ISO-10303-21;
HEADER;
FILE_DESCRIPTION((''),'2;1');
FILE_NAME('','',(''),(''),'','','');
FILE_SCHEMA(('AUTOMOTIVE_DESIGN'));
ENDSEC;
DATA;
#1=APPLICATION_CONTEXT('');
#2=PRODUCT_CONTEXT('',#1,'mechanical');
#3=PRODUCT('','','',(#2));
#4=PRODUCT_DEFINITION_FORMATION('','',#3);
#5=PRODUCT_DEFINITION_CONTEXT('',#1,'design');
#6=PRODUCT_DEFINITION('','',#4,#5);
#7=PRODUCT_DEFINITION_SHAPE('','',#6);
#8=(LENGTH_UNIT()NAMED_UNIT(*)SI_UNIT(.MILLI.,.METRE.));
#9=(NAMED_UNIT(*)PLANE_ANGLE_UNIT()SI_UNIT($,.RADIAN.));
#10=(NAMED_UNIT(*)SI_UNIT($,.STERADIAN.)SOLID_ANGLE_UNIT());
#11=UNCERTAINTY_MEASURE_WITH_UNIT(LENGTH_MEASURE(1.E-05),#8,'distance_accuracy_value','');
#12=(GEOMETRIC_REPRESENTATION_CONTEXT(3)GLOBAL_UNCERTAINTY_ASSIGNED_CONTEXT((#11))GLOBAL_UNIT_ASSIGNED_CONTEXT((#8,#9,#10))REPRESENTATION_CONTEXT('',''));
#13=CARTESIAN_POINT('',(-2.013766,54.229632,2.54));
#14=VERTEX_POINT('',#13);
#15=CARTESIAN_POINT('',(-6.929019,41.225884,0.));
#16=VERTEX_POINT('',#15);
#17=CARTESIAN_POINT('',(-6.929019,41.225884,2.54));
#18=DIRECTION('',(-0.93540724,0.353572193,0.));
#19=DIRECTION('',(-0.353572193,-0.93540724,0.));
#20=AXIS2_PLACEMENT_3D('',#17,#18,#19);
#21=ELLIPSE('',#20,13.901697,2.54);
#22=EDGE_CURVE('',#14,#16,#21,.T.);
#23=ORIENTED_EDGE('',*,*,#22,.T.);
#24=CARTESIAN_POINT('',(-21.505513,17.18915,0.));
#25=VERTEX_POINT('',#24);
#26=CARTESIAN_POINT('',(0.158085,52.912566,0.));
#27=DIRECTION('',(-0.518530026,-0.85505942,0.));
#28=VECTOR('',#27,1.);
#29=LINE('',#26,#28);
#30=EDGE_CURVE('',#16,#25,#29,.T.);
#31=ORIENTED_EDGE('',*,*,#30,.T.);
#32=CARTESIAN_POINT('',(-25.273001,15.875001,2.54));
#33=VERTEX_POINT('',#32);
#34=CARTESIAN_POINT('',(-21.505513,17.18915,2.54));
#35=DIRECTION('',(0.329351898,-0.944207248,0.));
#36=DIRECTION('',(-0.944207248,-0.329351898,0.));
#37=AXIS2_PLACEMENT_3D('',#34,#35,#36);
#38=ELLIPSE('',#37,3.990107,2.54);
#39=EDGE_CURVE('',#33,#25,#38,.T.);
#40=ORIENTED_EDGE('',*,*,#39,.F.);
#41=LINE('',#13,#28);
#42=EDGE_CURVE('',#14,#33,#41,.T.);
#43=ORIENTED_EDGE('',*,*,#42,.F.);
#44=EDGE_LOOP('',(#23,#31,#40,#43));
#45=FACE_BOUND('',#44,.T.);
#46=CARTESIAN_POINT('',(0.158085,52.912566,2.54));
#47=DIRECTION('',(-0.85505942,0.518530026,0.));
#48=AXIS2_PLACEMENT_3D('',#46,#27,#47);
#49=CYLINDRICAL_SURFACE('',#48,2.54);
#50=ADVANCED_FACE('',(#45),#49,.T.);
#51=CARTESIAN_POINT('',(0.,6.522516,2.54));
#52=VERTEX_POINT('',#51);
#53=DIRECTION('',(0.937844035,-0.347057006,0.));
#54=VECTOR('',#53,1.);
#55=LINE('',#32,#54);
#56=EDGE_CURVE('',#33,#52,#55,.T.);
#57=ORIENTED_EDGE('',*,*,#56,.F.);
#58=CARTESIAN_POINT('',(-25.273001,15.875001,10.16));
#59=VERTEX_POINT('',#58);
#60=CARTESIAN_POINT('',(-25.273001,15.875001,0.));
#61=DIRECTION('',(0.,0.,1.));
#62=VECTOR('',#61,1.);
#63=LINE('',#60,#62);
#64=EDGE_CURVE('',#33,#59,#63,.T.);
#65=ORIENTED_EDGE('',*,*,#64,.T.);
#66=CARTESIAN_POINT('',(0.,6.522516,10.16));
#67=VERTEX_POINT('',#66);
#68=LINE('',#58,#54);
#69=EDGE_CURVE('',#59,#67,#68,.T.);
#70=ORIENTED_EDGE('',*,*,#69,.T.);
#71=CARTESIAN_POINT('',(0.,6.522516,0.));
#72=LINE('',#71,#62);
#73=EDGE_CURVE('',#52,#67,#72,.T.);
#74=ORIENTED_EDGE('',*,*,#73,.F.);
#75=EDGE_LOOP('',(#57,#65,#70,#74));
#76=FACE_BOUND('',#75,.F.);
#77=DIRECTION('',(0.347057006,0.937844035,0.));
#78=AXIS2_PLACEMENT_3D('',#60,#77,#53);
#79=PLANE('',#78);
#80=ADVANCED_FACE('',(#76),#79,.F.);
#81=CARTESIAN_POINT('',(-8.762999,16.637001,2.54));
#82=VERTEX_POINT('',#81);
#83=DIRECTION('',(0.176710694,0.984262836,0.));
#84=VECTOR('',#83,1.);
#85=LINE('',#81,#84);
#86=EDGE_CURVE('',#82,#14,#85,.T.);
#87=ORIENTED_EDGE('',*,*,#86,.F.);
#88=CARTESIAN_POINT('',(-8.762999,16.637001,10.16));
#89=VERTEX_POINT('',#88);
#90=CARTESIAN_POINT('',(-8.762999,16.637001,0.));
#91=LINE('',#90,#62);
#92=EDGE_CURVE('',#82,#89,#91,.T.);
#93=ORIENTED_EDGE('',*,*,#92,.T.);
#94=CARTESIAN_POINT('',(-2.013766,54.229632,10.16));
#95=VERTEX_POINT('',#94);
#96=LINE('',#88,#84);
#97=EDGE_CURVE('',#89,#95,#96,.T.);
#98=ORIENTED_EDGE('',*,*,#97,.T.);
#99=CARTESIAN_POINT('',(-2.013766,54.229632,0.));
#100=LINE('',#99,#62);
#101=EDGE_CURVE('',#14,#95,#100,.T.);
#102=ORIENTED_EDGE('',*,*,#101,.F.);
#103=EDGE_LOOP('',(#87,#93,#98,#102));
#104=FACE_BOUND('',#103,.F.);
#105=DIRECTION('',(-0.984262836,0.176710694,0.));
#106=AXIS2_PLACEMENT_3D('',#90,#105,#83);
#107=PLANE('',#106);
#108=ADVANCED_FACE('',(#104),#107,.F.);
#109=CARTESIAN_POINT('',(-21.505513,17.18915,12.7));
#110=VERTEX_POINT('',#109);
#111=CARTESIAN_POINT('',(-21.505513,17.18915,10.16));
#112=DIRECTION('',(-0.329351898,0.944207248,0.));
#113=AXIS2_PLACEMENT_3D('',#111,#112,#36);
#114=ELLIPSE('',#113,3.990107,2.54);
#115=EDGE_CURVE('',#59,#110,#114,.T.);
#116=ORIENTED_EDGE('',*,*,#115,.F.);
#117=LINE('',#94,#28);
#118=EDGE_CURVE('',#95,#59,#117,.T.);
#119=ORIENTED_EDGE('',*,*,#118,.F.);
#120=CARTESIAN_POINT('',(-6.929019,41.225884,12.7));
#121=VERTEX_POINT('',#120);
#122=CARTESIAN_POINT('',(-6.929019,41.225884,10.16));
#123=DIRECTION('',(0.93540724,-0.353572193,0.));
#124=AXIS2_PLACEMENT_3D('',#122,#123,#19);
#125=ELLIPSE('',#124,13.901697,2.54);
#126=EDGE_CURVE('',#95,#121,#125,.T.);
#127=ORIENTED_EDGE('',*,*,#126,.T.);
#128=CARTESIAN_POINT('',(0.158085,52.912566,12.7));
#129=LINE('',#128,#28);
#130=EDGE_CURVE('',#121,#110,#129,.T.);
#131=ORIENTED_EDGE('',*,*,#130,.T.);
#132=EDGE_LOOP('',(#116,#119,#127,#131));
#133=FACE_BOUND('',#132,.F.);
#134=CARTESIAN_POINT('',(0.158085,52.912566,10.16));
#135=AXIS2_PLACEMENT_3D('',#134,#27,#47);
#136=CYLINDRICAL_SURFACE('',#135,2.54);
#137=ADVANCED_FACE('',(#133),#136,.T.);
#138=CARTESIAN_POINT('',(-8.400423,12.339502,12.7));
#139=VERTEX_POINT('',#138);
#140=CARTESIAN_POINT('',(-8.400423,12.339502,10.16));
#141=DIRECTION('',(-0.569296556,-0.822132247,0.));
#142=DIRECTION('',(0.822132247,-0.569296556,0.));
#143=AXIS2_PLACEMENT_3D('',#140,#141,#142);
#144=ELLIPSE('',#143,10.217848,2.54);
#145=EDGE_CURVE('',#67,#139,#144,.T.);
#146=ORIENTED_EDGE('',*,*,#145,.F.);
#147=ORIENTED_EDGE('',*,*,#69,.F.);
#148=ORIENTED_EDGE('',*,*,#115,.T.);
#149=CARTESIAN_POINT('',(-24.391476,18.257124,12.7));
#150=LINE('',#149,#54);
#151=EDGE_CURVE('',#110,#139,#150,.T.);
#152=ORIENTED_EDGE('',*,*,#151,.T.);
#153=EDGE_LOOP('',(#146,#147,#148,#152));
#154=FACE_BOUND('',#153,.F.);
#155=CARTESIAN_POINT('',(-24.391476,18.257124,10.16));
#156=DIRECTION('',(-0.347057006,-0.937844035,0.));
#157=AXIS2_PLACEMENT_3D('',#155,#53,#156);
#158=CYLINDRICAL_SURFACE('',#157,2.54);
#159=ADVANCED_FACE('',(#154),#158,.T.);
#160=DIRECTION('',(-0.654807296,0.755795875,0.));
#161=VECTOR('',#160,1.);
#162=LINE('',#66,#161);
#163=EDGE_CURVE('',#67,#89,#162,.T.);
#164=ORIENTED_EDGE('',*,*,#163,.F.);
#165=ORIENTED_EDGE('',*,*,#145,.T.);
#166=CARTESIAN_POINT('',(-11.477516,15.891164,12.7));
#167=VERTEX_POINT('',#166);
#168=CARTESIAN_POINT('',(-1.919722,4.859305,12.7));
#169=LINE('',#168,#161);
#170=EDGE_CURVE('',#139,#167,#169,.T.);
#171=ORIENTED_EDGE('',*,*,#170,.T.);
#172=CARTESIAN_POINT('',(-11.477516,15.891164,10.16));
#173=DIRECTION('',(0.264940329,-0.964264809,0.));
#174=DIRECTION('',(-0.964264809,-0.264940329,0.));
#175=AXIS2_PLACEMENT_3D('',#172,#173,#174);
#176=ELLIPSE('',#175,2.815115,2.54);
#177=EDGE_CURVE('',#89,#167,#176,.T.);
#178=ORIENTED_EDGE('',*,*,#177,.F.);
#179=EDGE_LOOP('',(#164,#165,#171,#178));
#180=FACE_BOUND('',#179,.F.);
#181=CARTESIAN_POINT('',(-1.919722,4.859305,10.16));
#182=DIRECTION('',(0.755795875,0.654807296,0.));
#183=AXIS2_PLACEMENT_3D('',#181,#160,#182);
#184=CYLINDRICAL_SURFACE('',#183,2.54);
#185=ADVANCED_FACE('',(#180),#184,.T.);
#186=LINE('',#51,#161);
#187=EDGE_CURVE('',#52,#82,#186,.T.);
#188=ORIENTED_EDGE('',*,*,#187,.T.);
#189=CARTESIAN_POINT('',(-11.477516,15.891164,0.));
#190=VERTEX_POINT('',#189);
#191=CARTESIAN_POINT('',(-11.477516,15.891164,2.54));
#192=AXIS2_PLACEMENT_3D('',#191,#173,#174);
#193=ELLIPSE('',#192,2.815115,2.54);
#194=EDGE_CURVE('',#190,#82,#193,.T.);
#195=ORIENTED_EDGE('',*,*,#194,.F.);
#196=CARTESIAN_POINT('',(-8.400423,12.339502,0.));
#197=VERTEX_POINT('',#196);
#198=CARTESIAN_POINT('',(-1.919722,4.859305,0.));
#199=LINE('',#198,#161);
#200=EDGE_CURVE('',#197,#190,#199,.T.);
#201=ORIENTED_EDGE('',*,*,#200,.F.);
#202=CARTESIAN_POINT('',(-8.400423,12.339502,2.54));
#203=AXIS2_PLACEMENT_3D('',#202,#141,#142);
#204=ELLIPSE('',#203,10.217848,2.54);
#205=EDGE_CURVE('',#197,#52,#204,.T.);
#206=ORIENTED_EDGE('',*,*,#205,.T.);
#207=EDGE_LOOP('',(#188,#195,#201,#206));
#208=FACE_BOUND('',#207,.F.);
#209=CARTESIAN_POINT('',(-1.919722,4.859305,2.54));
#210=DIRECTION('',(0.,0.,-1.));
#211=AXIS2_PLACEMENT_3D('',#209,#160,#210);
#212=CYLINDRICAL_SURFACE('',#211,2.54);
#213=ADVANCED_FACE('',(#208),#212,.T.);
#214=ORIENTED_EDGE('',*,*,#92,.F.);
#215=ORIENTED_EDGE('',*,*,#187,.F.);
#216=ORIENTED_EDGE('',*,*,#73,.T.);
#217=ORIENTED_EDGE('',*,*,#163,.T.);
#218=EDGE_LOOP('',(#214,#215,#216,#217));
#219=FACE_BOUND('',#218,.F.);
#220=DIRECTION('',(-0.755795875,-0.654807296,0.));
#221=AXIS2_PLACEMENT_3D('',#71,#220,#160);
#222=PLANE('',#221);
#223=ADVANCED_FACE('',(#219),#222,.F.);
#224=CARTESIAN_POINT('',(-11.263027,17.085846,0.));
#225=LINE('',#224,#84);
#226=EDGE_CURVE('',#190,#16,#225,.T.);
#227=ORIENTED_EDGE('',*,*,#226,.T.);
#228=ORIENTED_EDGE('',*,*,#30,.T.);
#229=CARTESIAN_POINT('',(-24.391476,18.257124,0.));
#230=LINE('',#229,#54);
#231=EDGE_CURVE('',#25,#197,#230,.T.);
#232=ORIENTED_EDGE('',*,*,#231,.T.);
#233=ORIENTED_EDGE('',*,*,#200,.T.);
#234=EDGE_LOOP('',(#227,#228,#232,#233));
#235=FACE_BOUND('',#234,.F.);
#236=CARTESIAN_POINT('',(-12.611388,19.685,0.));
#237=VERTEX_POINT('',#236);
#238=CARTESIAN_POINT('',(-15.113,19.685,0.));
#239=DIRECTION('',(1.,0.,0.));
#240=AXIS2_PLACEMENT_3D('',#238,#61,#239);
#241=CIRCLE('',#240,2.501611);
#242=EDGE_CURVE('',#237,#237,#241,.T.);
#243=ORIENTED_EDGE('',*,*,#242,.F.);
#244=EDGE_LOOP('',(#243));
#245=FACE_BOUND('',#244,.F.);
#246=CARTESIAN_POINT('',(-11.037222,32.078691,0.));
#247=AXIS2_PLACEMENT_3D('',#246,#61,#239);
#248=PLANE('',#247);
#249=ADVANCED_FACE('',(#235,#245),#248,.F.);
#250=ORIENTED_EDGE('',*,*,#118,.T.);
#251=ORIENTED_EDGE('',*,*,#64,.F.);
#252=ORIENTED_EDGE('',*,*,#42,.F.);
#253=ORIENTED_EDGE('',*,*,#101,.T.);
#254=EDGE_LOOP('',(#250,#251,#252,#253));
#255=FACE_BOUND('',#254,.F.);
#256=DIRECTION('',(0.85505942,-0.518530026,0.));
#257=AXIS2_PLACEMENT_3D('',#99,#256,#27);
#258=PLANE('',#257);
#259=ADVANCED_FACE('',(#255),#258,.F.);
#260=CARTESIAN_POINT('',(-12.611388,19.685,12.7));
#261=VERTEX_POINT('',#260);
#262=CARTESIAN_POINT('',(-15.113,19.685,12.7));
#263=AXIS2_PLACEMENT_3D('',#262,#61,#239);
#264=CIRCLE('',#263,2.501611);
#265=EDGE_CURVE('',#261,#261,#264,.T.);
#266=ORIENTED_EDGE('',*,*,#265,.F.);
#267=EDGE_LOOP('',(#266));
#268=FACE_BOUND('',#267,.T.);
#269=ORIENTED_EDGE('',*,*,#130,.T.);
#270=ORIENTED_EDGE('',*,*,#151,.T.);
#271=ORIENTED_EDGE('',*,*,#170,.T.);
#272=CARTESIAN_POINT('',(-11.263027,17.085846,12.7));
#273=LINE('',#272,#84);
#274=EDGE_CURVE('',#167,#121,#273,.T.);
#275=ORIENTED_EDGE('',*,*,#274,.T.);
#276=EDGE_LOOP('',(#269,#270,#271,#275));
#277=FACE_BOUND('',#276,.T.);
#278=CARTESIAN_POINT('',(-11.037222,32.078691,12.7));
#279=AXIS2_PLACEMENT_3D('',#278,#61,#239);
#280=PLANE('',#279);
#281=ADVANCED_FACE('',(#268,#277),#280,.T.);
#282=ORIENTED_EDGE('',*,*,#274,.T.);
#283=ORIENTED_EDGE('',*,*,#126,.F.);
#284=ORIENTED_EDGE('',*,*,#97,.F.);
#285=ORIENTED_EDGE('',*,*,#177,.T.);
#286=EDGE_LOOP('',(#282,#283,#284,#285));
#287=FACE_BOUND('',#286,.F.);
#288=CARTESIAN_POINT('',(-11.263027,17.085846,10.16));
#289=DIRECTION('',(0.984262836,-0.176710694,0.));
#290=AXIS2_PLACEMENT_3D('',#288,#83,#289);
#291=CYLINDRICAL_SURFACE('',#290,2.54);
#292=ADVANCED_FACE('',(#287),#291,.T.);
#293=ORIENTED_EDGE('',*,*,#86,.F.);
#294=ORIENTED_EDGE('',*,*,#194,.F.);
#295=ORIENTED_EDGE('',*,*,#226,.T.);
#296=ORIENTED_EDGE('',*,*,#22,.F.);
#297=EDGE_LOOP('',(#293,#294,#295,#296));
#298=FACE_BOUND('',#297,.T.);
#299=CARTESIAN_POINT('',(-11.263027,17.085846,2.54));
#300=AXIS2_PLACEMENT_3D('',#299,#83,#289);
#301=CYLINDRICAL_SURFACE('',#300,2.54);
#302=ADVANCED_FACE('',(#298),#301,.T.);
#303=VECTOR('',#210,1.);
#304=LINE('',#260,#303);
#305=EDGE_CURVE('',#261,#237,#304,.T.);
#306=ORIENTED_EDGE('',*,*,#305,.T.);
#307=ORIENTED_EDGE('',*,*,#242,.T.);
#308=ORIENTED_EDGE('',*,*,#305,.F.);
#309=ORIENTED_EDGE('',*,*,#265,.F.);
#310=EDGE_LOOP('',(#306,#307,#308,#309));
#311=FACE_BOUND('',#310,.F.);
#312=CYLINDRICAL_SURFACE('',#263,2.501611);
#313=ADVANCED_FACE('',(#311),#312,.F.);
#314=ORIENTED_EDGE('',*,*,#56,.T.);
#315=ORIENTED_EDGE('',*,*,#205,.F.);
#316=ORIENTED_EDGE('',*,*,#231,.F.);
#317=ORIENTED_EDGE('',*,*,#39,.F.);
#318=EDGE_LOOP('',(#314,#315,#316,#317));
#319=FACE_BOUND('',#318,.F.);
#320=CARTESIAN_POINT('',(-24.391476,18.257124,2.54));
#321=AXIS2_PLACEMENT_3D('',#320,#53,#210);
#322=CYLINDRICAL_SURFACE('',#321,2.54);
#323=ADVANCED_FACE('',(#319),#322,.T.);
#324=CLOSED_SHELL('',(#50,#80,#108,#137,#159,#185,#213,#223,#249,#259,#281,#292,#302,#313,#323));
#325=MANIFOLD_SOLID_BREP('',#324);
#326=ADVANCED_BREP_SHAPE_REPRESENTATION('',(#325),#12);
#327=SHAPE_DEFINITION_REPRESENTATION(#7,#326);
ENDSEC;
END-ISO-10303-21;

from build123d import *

# Parameters (mm, degrees)
F1_DEPTH = 12.7
F2_R     = 2.54
F3_R     = 2.54
F4_R     = 2.5016114836
F5_DEPTH = 12.954


with BuildPart() as f1:
    # F0 (on Top) → F1 (new body)
    with BuildSketch(Plane.XY):
        Polygon((-2.0137657411, 54.22963202), (-25.2730008215, 15.8750005066), (-8.7629994377, 16.6370011866), align=None)
        Polygon((-8.7629994377, 16.6370011866), (-25.2730008215, 15.8750005066), (0, 6.5225157887), align=None)
    extrude(amount=F1_DEPTH)

    # F2
    f2_edges = [f1.edges().sort_by_distance(p)[0] for p in [
        (-13.643383, 35.052316, 12.7),
        (-12.6365, 11.198758, 12.7),
        (-4.3815, 11.579758, 12.7),
        (-5.388383, 35.433317, 12.7),
    ]]
    fillet(f2_edges, radius=F2_R)

    # F3
    f3_edges = [f1.edges().sort_by_distance(p)[0] for p in [
        (-13.643383, 35.052316, 0),
        (-12.6365, 11.198758, 0),
        (-4.3815, 11.579758, 0),
        (-5.388383, 35.433317, 0),
    ]]
    fillet(f3_edges, radius=F3_R)

    # F4 (on face) → F5 (cut)
    with BuildSketch(Plane.XY.offset(12.7)):
        with Locations((-15.1129998267, 19.6850001812)):
            Circle(F4_R)
    extrude(amount=-F5_DEPTH, mode=Mode.SUBTRACT)


solid = f1.part
